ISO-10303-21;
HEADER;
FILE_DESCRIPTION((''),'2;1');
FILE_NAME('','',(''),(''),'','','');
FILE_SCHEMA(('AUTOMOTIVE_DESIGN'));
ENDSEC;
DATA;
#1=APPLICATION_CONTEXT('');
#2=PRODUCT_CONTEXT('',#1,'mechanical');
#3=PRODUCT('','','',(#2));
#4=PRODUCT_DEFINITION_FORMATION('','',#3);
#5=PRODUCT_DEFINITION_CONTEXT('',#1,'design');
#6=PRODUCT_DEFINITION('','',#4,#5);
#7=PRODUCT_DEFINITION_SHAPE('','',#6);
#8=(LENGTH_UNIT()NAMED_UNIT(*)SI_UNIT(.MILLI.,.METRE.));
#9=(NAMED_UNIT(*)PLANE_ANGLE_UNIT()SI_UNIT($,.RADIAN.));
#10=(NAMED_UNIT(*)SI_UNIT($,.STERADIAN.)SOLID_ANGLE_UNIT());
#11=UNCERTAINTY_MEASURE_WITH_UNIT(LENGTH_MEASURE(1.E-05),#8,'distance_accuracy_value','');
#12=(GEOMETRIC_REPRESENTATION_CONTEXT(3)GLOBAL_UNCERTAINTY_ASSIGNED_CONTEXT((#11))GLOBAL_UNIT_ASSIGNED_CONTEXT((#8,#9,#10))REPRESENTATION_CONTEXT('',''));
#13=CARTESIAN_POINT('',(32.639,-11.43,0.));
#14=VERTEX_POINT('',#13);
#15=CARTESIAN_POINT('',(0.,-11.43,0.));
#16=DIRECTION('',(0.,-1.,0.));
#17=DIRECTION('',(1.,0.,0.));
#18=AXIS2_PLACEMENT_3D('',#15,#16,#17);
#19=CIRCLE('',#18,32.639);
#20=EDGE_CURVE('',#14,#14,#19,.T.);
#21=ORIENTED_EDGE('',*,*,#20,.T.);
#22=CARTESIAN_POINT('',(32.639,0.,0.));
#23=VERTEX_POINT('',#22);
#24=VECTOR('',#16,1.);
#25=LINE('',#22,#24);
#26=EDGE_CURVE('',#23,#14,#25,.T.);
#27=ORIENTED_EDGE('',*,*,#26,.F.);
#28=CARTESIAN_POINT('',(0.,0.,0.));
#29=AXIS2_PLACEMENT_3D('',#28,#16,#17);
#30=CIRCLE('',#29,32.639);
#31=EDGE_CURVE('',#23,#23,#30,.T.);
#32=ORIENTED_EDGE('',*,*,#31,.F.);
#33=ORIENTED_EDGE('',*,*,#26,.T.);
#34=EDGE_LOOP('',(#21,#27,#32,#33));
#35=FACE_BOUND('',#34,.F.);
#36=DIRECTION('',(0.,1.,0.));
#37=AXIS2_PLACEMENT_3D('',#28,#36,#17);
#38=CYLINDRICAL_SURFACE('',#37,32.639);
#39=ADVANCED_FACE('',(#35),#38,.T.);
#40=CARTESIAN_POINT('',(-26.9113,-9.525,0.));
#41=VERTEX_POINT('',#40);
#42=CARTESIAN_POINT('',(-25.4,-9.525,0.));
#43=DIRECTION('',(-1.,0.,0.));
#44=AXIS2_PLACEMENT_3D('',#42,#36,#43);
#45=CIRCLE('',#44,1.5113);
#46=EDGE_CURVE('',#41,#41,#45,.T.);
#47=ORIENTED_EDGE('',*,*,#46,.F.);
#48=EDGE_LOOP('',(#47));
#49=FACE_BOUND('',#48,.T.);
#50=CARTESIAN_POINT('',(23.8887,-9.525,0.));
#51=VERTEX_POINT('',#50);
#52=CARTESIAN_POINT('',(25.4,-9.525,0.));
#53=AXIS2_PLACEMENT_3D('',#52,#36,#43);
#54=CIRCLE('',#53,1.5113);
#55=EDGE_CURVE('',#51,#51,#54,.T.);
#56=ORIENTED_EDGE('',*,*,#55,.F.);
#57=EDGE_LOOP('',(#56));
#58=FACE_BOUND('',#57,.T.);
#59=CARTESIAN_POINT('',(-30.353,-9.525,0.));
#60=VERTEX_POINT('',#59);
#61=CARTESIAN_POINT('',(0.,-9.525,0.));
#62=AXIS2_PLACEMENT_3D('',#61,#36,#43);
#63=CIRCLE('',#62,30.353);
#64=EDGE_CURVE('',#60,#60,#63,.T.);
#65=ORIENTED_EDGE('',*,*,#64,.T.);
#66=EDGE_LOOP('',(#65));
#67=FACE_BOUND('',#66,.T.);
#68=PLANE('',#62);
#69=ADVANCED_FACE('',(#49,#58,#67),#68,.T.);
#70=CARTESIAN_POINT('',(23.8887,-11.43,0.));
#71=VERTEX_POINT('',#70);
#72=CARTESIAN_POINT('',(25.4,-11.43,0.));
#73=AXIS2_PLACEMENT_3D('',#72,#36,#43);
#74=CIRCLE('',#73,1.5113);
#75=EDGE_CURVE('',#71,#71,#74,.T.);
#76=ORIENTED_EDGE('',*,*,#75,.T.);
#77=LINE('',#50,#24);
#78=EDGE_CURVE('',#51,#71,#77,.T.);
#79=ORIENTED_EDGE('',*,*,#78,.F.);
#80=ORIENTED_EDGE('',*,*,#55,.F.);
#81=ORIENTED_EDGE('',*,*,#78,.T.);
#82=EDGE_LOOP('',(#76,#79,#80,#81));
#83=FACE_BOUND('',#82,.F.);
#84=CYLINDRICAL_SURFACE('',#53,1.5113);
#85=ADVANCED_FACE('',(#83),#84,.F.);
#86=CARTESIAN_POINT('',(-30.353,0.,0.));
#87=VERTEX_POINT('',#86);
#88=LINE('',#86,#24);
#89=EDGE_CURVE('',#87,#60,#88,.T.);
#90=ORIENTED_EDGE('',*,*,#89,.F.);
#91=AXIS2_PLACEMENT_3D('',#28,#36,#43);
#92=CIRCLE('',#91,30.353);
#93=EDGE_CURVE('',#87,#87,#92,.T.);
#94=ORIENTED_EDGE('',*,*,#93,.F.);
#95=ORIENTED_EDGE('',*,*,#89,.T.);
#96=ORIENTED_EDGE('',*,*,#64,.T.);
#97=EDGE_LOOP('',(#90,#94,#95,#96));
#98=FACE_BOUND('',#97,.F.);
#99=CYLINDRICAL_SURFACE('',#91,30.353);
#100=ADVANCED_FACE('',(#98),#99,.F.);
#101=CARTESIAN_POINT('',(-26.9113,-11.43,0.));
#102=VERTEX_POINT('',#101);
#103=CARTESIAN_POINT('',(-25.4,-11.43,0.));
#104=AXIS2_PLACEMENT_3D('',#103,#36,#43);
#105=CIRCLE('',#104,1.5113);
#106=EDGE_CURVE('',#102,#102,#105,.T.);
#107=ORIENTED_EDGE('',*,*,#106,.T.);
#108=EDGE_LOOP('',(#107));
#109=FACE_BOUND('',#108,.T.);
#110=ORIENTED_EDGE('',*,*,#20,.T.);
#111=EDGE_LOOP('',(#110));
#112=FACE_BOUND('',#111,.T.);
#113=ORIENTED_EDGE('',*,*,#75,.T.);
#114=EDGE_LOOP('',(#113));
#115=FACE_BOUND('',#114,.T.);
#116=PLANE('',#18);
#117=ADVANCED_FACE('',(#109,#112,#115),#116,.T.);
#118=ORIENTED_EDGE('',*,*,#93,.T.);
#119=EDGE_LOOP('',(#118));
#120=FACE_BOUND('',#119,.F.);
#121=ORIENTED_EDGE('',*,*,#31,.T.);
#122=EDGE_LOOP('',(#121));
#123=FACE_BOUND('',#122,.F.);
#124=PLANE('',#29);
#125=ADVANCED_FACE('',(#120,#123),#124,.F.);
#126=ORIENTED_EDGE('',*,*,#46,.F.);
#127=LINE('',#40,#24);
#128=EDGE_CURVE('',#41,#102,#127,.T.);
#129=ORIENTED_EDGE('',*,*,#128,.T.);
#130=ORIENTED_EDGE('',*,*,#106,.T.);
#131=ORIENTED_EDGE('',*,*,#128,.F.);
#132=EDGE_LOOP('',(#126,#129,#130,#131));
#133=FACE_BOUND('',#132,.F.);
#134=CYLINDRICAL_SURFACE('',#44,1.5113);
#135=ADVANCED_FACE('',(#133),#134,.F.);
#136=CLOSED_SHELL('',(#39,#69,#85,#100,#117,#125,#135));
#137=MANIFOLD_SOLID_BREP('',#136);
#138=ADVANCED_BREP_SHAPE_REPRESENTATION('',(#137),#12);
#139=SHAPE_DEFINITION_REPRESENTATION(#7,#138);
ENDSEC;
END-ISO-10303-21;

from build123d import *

# Parameters (mm, degrees)
F0_R     = 32.639
F1_DEPTH = 11.43
F2_R     = 30.353
F3_DEPTH = 9.525
F4_R     = 1.5113
F5_DEPTH = 1.905


with BuildPart() as f1:
    # F0 (on Front) → F1 (new body)
    with BuildSketch(Plane.XZ):
        Circle(F0_R)
    extrude(amount=F1_DEPTH)

    # F2 (on face) → F3 (cut)
    with BuildSketch(Plane(origin=(0, 0, 0), x_dir=(-1, 0, 0), z_dir=(0, 1, 0))):
        Circle(F2_R)
    extrude(amount=-F3_DEPTH, mode=Mode.SUBTRACT)

    # F4 (on face) → F5 (cut)
    with BuildSketch(Plane(origin=(0, -9.525, 0), x_dir=(-1, 0, 0), z_dir=(0, 1, 0))):
        with Locations((-25.4, 0)):
            Circle(F4_R)
        with Locations((25.4, 0)):
            Circle(F4_R)
    extrude(amount=-F5_DEPTH, mode=Mode.SUBTRACT)


solid = f1.part
